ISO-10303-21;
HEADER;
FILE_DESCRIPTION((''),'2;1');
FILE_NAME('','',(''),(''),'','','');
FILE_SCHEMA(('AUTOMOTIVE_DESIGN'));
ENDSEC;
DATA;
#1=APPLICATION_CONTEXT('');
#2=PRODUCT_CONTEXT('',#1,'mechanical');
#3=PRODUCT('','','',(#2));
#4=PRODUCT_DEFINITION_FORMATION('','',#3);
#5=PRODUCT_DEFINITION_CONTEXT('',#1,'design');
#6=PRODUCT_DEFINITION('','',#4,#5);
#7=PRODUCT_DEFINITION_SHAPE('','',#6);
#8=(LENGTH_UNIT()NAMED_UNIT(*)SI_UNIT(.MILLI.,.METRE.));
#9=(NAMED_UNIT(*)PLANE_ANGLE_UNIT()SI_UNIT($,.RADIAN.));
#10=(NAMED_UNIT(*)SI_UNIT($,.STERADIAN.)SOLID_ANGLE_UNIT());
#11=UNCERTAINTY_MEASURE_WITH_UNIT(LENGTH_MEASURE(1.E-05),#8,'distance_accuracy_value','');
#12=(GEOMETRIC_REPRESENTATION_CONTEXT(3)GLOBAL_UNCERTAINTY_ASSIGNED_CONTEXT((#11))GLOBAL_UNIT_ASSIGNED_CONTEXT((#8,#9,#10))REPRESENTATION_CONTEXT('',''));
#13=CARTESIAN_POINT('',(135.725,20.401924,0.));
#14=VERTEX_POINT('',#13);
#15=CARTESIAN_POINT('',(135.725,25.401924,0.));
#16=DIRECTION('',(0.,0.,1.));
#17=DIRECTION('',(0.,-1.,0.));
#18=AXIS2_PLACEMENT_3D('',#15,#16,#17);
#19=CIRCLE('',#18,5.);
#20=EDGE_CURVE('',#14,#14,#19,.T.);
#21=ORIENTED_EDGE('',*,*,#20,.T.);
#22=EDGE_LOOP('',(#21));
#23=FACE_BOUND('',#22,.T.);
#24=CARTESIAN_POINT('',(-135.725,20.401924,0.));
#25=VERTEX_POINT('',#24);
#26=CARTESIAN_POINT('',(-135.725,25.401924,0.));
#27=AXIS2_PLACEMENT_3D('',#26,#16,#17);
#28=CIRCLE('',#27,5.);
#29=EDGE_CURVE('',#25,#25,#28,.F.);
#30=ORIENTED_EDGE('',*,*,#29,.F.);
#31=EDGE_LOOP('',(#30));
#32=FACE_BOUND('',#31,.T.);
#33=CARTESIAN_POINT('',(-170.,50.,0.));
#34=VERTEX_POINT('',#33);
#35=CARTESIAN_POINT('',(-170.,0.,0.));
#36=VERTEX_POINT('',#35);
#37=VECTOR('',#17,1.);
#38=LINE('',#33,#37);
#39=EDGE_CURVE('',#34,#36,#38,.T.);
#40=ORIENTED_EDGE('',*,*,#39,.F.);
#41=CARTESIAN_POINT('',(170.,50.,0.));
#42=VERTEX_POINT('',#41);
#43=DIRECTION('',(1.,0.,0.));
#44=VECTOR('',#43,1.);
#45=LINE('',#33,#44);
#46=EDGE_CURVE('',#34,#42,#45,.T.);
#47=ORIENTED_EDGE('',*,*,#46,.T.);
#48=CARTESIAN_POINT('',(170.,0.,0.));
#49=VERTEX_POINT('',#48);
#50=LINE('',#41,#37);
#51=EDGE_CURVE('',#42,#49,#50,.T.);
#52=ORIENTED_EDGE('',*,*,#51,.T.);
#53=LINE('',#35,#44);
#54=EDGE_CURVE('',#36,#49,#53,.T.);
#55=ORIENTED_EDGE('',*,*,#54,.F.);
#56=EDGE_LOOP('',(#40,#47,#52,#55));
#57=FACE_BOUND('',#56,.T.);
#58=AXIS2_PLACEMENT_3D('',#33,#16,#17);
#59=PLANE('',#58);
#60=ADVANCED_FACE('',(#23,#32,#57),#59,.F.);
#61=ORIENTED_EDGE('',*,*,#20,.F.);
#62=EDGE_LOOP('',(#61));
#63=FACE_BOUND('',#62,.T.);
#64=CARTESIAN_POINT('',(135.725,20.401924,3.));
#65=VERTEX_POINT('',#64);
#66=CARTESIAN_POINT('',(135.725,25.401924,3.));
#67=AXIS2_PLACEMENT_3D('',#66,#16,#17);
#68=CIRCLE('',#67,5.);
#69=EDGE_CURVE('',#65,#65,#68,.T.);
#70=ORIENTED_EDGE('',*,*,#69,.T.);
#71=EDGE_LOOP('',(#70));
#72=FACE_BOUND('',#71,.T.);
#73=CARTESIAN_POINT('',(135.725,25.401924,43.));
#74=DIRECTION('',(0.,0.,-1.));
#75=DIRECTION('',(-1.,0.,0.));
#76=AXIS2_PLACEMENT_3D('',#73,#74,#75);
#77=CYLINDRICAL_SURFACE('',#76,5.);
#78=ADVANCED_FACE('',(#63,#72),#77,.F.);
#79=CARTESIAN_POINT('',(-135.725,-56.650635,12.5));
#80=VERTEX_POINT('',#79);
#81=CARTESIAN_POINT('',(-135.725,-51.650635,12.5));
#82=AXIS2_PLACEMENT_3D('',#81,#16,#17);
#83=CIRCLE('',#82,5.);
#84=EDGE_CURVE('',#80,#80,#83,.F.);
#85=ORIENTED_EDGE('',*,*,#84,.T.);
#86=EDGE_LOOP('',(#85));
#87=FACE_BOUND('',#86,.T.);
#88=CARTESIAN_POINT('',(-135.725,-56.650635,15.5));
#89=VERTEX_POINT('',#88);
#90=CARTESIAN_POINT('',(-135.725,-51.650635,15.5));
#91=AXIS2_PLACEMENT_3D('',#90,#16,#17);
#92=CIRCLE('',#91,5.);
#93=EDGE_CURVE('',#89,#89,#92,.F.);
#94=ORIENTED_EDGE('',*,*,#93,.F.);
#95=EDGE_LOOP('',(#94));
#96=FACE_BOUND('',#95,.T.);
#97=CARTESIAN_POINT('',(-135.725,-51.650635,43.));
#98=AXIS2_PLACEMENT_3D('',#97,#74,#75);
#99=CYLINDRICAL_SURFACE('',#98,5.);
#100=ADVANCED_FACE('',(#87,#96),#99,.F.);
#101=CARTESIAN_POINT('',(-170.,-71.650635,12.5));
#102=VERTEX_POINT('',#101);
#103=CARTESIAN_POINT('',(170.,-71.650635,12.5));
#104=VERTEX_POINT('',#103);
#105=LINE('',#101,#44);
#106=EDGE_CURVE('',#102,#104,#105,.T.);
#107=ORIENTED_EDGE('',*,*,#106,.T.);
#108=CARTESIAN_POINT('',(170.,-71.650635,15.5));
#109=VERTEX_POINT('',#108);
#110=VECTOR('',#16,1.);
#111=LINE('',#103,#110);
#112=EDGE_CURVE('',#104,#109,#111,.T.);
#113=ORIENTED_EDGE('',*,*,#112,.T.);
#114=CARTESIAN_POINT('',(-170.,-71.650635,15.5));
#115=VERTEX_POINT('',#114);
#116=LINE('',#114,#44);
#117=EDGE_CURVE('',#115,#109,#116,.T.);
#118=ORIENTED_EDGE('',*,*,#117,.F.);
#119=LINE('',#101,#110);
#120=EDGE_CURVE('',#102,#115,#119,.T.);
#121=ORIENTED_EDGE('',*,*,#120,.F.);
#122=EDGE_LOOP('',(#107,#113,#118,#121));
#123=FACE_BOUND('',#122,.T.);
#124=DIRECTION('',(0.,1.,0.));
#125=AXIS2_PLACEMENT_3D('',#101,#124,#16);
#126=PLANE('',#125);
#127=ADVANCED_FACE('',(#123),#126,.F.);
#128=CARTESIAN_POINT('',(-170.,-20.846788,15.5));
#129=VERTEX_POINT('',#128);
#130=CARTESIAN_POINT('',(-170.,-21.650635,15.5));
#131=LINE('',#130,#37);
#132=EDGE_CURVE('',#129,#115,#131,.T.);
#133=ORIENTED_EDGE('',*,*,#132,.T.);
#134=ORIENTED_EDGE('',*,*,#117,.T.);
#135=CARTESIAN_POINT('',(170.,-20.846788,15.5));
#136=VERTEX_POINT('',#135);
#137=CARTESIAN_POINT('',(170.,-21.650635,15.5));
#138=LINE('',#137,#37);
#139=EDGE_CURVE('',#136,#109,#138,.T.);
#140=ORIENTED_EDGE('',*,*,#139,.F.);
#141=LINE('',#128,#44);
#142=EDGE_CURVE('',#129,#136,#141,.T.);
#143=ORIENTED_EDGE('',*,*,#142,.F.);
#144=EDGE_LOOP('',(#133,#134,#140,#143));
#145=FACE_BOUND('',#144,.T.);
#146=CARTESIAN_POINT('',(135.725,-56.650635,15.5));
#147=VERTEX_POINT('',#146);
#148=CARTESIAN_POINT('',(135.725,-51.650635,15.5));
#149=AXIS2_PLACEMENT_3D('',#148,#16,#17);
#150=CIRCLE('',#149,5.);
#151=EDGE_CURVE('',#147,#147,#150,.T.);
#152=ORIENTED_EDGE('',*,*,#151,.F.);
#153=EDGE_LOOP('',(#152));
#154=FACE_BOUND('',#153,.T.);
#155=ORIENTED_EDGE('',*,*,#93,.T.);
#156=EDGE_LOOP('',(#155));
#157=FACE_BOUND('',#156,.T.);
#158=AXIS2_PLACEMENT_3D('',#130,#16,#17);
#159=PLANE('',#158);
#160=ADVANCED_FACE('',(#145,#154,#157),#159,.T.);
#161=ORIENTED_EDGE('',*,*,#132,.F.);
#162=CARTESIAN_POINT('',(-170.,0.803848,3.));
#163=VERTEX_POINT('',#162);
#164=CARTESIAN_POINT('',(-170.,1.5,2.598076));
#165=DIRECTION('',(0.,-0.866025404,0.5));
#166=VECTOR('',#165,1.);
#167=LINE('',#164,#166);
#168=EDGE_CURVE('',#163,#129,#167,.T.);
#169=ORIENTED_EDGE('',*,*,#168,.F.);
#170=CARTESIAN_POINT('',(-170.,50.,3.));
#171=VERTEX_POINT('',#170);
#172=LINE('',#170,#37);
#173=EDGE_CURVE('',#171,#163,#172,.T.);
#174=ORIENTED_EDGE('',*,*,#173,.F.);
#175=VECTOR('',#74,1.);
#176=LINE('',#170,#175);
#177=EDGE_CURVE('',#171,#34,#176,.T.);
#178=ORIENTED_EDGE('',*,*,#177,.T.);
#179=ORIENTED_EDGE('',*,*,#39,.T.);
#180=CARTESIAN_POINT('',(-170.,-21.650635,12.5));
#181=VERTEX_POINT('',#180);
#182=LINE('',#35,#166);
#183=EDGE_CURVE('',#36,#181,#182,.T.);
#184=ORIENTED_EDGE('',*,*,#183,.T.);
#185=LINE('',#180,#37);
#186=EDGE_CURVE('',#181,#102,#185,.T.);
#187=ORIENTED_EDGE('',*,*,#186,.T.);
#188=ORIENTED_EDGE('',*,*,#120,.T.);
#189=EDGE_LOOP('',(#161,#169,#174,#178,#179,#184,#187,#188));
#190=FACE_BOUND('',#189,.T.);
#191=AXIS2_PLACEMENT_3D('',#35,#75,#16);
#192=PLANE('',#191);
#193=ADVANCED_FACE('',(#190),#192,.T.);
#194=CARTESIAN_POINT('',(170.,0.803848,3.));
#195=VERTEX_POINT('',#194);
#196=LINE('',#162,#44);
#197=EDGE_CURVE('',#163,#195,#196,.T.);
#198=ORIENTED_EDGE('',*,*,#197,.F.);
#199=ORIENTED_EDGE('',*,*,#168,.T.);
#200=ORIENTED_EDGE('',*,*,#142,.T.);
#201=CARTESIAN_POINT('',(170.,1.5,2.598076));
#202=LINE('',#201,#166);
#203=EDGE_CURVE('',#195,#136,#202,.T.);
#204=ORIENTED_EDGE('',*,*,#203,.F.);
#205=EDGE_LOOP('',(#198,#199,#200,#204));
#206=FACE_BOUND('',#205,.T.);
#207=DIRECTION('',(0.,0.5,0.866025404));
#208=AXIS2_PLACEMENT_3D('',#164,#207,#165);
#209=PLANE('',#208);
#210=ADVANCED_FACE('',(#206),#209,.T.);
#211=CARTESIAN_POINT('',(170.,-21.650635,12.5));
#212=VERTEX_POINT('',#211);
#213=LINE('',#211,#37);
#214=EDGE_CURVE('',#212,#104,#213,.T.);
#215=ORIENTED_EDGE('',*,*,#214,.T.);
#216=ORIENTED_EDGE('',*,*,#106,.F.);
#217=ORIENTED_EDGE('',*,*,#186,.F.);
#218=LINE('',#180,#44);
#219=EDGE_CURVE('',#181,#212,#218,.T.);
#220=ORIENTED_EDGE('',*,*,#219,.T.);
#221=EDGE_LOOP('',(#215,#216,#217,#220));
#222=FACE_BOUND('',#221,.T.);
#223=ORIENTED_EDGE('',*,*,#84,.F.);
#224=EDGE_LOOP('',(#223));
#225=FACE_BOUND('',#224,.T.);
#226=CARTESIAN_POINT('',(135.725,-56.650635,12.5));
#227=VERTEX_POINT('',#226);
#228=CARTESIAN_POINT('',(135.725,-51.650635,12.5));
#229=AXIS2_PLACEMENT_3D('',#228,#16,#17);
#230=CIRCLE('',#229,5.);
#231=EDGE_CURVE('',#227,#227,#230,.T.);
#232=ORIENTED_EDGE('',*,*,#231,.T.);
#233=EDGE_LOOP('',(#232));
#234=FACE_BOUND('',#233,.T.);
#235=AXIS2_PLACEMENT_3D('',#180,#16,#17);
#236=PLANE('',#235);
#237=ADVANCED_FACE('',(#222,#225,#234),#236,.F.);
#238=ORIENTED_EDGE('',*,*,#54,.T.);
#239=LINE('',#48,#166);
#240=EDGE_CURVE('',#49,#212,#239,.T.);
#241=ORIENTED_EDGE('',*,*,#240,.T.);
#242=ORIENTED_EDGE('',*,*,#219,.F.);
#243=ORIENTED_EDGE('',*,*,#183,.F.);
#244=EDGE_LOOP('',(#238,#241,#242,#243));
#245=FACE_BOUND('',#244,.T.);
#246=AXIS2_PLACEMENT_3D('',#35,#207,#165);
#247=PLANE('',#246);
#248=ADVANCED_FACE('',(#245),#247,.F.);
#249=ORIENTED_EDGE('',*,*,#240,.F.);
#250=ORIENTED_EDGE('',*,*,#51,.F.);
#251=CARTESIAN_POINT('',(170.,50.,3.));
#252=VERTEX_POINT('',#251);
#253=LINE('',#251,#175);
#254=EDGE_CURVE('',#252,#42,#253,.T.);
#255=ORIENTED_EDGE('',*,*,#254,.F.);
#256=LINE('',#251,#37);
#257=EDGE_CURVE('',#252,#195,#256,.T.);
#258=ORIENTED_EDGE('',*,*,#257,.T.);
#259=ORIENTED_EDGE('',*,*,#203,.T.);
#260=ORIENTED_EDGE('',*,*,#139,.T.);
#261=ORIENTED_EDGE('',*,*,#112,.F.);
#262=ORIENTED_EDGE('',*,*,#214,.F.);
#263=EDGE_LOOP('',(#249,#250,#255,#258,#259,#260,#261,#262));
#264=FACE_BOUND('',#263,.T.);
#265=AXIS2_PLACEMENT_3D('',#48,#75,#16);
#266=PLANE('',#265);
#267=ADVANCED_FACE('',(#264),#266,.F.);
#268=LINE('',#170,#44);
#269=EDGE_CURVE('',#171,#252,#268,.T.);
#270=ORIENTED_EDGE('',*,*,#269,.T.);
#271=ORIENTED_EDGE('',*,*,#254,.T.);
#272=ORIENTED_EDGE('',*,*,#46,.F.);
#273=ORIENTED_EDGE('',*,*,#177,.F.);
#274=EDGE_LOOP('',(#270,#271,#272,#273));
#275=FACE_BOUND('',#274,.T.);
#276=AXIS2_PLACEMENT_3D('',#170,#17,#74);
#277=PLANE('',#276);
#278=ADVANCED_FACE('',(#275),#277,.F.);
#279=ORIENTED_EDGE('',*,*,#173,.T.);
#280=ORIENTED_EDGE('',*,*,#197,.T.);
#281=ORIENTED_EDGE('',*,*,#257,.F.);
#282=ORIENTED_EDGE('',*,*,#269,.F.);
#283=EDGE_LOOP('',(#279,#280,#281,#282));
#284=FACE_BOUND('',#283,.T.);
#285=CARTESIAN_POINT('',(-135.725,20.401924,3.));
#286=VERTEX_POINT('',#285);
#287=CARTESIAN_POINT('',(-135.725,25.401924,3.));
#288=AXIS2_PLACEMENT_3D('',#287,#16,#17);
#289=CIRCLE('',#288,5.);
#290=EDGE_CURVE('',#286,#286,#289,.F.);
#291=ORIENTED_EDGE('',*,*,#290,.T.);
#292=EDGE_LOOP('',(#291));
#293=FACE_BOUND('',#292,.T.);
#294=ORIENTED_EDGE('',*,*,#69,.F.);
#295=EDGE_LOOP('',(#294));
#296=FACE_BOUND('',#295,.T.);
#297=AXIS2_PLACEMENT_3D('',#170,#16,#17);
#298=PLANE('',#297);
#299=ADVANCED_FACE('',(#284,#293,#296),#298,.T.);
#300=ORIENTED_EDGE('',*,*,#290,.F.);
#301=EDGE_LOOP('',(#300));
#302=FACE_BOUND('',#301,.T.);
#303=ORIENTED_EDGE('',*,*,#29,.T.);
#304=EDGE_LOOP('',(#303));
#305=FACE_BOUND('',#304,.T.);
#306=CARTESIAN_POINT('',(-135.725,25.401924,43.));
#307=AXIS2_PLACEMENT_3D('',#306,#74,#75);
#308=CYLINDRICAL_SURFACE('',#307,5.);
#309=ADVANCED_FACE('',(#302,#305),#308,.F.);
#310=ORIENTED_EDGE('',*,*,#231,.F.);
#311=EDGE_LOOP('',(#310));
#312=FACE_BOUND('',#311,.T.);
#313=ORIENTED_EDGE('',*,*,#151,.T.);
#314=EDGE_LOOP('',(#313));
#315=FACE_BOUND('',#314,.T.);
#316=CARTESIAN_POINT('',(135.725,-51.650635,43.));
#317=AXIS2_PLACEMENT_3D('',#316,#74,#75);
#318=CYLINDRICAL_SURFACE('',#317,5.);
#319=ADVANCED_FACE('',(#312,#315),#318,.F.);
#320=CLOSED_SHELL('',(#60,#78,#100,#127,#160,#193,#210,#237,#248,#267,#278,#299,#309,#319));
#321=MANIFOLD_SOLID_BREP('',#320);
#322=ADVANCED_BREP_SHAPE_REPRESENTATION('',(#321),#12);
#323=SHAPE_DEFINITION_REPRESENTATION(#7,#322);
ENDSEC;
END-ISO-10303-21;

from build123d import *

# Parameters (mm, degrees)
WYCI_GNI_CIE_CIENKA_CIANKA2_DEPTH      = 170
WYCI_GNI_CIE_CIENKA_CIANKA2_DEPTH_BACK = 170
WYTNIJ_WYCI_GNI_CIE2_START             = -10
SZKIC3_R                               = 5
WYTNIJ_WYCI_GNI_CIE2_DEPTH             = 50


with BuildPart() as part:
    # Szkic2 → Wyciągnięcie-cienka ścianka2 (new, two sides: drawn at the far end of the back side and taken through both)
    with BuildSketch(Plane(origin=(0, 0, 0), x_dir=(0, 0, -1), z_dir=(1, 0, 0)).offset(-WYCI_GNI_CIE_CIENKA_CIANKA2_DEPTH_BACK)):
        Polygon((0, 50), (0, 0), (-12.5, -21.650635095), (-12.5, -71.650635095), (-15.5, -71.650635095), (-15.5, -20.846787517), (-3, 0.803847577), (-3, 50), align=None)
    extrude(amount=WYCI_GNI_CIE_CIENKA_CIANKA2_DEPTH + WYCI_GNI_CIE_CIENKA_CIANKA2_DEPTH_BACK)

    # Szkic3 → Wytnij-wyciągnięcie2 (cut)
    with BuildSketch(Plane.XY.offset(3).offset(WYTNIJ_WYCI_GNI_CIE2_START)):
        with Locations(Location((-135.725, 25.401923789, 0), (0, 0, 270))):
            Circle(SZKIC3_R)
        with Locations(Location((-135.725, -51.650635095, 0), (0, 0, 270))):
            Circle(SZKIC3_R)
    wytnij_wyci_gni_cie2 = extrude(amount=WYTNIJ_WYCI_GNI_CIE2_DEPTH, mode=Mode.SUBTRACT)

    # Lustro1: Wytnij-wyciągnięcie2 across plane
    add(wytnij_wyci_gni_cie2.mirror(Plane(origin=(0, 0, 0), x_dir=(0, 0, 1), z_dir=(1, 0, 0))), mode=Mode.SUBTRACT)


solid = part.part
